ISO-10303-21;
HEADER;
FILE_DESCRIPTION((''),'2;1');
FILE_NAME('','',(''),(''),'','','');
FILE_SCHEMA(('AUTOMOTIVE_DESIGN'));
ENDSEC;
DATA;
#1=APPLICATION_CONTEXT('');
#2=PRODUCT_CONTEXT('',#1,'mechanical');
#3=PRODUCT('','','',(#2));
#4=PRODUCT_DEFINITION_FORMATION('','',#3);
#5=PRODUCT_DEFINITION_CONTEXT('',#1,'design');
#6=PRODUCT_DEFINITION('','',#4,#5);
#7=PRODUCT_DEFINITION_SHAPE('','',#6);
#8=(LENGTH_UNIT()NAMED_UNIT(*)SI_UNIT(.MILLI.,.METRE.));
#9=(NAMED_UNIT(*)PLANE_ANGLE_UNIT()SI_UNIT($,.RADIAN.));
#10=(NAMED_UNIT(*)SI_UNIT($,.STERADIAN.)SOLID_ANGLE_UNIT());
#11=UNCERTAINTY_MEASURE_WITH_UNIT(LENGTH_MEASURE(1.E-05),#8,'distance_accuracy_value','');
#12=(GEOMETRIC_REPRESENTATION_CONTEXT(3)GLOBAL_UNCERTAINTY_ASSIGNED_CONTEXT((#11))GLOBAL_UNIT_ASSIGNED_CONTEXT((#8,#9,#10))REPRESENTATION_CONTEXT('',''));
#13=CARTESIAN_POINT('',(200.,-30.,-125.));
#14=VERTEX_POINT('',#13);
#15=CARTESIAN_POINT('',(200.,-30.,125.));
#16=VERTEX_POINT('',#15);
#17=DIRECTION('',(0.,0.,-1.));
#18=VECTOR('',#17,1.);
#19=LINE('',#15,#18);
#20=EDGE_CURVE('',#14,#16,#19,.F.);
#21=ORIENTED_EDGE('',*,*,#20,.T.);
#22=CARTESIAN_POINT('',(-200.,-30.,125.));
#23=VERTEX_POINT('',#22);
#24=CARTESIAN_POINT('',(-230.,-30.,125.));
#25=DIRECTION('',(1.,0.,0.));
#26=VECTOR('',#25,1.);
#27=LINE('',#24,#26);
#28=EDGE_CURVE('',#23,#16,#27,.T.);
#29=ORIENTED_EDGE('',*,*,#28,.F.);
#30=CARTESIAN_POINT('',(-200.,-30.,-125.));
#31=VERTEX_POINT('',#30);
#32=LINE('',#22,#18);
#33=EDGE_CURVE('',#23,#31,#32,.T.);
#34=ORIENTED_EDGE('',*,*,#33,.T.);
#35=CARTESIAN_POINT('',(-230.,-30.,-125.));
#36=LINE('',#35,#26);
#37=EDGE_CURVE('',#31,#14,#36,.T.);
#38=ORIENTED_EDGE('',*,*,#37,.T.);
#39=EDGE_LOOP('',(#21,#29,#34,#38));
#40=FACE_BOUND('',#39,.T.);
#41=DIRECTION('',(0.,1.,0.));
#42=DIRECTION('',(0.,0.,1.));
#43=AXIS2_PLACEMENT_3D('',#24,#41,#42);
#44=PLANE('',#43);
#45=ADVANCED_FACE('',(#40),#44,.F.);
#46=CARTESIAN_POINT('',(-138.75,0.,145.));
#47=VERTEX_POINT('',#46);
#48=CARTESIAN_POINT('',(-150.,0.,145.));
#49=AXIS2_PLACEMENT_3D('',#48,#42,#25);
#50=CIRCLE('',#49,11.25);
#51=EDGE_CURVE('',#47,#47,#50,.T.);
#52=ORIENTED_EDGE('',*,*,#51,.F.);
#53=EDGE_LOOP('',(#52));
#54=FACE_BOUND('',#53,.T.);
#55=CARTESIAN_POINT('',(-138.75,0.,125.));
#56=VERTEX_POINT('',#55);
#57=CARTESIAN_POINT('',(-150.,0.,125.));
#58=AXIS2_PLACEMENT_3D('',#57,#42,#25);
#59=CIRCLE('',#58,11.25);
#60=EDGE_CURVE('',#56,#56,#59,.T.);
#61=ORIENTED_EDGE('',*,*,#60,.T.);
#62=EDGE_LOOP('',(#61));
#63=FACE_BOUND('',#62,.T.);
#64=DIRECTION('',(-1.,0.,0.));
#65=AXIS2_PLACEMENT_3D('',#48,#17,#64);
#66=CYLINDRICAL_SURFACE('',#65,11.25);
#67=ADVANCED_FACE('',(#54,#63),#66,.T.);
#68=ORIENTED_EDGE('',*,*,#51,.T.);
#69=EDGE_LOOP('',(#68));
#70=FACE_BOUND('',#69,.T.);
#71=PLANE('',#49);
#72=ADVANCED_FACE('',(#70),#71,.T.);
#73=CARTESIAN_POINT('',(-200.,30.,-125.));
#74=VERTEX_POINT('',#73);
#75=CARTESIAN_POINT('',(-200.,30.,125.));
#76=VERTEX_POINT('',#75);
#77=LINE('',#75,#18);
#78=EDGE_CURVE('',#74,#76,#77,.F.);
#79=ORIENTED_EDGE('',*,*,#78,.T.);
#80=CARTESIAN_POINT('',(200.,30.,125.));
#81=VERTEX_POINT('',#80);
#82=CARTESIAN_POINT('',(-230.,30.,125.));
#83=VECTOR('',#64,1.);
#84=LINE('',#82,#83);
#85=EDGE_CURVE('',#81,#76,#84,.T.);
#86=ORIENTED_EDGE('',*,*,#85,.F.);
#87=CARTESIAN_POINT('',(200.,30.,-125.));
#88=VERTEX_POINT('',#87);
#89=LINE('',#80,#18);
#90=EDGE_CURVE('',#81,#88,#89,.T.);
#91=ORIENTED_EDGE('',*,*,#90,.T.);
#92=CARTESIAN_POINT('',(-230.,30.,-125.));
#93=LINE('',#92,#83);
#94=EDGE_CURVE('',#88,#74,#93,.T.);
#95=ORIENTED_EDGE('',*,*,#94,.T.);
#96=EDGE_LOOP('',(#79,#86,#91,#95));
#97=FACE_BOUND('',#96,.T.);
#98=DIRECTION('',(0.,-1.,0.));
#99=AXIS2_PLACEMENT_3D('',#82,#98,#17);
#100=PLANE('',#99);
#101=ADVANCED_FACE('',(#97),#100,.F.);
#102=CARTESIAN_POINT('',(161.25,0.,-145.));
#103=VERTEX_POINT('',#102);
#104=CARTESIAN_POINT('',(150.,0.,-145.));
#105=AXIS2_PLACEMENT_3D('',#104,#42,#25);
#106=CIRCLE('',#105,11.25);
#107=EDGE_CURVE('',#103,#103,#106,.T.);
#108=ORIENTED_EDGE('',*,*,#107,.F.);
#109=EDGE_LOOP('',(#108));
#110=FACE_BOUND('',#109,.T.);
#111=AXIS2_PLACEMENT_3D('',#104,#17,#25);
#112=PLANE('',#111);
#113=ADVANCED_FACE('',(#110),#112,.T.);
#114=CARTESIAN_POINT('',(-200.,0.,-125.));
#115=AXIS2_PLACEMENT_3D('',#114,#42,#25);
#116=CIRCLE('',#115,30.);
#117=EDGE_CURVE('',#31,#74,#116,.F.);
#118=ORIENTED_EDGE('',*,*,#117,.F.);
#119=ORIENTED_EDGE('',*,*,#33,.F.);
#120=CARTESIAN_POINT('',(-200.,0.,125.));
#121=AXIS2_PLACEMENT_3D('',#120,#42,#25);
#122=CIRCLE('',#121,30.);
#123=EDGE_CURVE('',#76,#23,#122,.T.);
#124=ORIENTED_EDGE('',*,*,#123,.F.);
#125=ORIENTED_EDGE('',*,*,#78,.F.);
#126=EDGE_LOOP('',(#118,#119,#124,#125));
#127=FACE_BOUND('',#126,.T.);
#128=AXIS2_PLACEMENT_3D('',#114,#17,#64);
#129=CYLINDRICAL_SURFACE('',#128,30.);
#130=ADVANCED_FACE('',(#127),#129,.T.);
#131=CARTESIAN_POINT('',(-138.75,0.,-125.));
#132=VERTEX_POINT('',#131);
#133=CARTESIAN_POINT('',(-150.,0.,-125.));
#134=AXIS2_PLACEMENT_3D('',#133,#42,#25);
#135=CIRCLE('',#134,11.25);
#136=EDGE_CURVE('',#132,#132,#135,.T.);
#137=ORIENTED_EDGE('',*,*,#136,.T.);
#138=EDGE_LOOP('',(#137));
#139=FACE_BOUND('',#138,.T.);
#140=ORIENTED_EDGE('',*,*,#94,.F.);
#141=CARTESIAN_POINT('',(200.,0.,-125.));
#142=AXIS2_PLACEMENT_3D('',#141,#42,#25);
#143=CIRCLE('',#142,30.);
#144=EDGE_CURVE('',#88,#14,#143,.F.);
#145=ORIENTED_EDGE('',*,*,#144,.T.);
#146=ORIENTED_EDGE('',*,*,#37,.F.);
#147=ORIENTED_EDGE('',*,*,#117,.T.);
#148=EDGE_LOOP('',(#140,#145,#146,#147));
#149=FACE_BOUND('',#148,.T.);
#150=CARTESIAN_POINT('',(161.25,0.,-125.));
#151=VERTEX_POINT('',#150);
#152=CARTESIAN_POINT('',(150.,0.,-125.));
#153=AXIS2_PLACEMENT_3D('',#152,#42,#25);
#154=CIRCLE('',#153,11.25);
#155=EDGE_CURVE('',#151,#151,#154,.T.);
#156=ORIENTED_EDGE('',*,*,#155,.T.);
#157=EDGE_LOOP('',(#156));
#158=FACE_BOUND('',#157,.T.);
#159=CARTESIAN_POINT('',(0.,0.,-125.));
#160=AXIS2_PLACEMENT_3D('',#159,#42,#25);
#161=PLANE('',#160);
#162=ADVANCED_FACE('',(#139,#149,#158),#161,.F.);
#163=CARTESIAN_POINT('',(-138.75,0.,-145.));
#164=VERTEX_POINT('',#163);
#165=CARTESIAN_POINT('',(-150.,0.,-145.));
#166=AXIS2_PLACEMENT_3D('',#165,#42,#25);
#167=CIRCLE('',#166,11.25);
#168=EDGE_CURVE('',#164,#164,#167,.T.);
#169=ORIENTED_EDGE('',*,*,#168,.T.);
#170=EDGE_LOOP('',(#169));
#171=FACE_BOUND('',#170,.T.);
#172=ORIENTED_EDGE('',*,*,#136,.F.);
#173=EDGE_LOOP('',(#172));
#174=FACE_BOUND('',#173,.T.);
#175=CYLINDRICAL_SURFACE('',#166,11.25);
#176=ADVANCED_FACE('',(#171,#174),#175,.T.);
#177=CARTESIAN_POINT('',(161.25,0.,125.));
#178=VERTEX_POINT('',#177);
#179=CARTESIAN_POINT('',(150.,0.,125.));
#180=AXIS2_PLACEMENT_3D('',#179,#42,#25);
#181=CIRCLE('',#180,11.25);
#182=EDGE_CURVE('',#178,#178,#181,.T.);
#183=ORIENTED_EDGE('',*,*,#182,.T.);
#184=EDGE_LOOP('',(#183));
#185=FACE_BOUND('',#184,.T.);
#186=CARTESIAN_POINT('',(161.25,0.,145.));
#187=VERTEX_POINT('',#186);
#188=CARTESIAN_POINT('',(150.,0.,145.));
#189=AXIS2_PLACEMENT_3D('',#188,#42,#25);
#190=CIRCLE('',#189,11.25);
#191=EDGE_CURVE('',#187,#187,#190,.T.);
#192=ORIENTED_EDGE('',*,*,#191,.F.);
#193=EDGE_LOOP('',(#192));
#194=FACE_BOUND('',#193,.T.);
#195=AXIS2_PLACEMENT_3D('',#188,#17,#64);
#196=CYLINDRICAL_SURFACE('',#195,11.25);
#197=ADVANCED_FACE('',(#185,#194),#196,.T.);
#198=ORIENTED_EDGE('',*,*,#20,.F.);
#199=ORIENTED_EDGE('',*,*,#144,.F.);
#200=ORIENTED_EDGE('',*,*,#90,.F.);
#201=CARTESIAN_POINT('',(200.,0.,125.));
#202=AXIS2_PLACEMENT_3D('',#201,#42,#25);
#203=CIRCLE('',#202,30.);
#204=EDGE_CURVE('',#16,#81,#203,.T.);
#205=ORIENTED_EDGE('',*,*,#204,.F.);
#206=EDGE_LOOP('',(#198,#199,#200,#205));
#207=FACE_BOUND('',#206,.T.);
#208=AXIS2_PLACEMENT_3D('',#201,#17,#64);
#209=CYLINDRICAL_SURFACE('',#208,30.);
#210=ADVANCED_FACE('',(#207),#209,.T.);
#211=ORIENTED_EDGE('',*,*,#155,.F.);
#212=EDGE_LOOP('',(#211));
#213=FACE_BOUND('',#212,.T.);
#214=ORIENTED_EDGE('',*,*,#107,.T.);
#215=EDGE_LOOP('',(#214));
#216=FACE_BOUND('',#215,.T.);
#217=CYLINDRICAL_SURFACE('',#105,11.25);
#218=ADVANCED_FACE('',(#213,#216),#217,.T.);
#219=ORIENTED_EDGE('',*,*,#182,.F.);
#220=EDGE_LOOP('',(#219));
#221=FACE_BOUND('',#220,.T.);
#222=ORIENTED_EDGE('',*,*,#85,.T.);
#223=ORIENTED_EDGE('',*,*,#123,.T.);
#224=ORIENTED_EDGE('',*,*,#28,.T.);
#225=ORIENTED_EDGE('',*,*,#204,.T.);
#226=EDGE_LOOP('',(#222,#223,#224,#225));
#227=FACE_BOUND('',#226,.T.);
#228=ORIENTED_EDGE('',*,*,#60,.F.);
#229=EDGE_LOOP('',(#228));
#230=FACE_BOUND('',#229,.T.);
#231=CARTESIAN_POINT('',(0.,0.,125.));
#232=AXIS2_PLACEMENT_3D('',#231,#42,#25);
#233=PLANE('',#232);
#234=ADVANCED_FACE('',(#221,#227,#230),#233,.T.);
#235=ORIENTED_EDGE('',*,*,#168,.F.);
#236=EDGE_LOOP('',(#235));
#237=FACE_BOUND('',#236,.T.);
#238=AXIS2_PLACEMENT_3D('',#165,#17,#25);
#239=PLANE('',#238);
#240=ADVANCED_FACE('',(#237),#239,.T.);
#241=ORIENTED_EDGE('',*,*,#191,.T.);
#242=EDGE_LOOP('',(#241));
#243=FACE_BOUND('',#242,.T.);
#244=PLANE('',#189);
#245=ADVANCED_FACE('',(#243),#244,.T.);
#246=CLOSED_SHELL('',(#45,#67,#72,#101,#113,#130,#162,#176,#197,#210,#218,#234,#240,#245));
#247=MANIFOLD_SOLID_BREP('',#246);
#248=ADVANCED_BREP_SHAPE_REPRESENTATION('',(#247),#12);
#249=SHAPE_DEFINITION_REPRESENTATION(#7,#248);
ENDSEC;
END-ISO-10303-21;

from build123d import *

# Parameters (mm, degrees)
SKETCH2_W           = 460
SKETCH2_H           = 60
BOSS_EXTRUDE1_DEPTH = 125
FILLET1_RADIUS      = 30
FILLET1_LENGTH      = 250
FILLET2_RADIUS      = 30
FILLET2_LENGTH      = 250
SKETCH3_R           = 11.25
BOSS_EXTRUDE2_DEPTH = 20


with BuildPart() as part:
    # Sketch2 → Boss-Extrude1 (new, symmetric)
    with BuildSketch(Plane.XY):
        Rectangle(SKETCH2_W, SKETCH2_H)
    extrude(amount=BOSS_EXTRUDE1_DEPTH, both=True)

    # Fillet1: full round fillet: the end face becomes a half cylinder, R = half its width
    fillet1_face = Plane((-230, 0, 0), x_dir=(0, 0, 1), z_dir=(-1, 0, 0))  # on the end face: x along it, z out of the body
    fillet1_slab = fillet1_face.offset(-FILLET1_RADIUS / 2) * Box(FILLET1_LENGTH, 2 * FILLET1_RADIUS, FILLET1_RADIUS, mode=Mode.PRIVATE)  # the body's end, R deep
    fillet1_round = Plane((-200, 0, 0), x_dir=(-1, 0, 0), z_dir=(0, 0, 1)) * Cylinder(FILLET1_RADIUS, FILLET1_LENGTH, mode=Mode.PRIVATE)  # its axis R under the face
    add(fillet1_slab - fillet1_round, mode=Mode.SUBTRACT)

    # Fillet2: full round fillet: the end face becomes a half cylinder, R = half its width
    fillet2_face = Plane((230, 0, 0), x_dir=(0, 0, -1), z_dir=(1, 0, 0))  # on the end face: x along it, z out of the body
    fillet2_slab = fillet2_face.offset(-FILLET2_RADIUS / 2) * Box(FILLET2_LENGTH, 2 * FILLET2_RADIUS, FILLET2_RADIUS, mode=Mode.PRIVATE)  # the body's end, R deep
    fillet2_round = Plane((200, 0, 0), x_dir=(1, 0, 0), z_dir=(0, 0, -1)) * Cylinder(FILLET2_RADIUS, FILLET2_LENGTH, mode=Mode.PRIVATE)  # its axis R under the face
    add(fillet2_slab - fillet2_round, mode=Mode.SUBTRACT)

    # Sketch3 → Boss-Extrude2 (add)
    with BuildSketch(Plane.XY.offset(125)):
        with Locations((-150, 0)):
            Circle(SKETCH3_R)
        with Locations((150, 0)):
            Circle(SKETCH3_R)
    boss_extrude2 = extrude(amount=BOSS_EXTRUDE2_DEPTH)

    # Mirror1: Boss-Extrude2 across plane
    add(boss_extrude2.mirror(Plane.XY))


solid = part.part
